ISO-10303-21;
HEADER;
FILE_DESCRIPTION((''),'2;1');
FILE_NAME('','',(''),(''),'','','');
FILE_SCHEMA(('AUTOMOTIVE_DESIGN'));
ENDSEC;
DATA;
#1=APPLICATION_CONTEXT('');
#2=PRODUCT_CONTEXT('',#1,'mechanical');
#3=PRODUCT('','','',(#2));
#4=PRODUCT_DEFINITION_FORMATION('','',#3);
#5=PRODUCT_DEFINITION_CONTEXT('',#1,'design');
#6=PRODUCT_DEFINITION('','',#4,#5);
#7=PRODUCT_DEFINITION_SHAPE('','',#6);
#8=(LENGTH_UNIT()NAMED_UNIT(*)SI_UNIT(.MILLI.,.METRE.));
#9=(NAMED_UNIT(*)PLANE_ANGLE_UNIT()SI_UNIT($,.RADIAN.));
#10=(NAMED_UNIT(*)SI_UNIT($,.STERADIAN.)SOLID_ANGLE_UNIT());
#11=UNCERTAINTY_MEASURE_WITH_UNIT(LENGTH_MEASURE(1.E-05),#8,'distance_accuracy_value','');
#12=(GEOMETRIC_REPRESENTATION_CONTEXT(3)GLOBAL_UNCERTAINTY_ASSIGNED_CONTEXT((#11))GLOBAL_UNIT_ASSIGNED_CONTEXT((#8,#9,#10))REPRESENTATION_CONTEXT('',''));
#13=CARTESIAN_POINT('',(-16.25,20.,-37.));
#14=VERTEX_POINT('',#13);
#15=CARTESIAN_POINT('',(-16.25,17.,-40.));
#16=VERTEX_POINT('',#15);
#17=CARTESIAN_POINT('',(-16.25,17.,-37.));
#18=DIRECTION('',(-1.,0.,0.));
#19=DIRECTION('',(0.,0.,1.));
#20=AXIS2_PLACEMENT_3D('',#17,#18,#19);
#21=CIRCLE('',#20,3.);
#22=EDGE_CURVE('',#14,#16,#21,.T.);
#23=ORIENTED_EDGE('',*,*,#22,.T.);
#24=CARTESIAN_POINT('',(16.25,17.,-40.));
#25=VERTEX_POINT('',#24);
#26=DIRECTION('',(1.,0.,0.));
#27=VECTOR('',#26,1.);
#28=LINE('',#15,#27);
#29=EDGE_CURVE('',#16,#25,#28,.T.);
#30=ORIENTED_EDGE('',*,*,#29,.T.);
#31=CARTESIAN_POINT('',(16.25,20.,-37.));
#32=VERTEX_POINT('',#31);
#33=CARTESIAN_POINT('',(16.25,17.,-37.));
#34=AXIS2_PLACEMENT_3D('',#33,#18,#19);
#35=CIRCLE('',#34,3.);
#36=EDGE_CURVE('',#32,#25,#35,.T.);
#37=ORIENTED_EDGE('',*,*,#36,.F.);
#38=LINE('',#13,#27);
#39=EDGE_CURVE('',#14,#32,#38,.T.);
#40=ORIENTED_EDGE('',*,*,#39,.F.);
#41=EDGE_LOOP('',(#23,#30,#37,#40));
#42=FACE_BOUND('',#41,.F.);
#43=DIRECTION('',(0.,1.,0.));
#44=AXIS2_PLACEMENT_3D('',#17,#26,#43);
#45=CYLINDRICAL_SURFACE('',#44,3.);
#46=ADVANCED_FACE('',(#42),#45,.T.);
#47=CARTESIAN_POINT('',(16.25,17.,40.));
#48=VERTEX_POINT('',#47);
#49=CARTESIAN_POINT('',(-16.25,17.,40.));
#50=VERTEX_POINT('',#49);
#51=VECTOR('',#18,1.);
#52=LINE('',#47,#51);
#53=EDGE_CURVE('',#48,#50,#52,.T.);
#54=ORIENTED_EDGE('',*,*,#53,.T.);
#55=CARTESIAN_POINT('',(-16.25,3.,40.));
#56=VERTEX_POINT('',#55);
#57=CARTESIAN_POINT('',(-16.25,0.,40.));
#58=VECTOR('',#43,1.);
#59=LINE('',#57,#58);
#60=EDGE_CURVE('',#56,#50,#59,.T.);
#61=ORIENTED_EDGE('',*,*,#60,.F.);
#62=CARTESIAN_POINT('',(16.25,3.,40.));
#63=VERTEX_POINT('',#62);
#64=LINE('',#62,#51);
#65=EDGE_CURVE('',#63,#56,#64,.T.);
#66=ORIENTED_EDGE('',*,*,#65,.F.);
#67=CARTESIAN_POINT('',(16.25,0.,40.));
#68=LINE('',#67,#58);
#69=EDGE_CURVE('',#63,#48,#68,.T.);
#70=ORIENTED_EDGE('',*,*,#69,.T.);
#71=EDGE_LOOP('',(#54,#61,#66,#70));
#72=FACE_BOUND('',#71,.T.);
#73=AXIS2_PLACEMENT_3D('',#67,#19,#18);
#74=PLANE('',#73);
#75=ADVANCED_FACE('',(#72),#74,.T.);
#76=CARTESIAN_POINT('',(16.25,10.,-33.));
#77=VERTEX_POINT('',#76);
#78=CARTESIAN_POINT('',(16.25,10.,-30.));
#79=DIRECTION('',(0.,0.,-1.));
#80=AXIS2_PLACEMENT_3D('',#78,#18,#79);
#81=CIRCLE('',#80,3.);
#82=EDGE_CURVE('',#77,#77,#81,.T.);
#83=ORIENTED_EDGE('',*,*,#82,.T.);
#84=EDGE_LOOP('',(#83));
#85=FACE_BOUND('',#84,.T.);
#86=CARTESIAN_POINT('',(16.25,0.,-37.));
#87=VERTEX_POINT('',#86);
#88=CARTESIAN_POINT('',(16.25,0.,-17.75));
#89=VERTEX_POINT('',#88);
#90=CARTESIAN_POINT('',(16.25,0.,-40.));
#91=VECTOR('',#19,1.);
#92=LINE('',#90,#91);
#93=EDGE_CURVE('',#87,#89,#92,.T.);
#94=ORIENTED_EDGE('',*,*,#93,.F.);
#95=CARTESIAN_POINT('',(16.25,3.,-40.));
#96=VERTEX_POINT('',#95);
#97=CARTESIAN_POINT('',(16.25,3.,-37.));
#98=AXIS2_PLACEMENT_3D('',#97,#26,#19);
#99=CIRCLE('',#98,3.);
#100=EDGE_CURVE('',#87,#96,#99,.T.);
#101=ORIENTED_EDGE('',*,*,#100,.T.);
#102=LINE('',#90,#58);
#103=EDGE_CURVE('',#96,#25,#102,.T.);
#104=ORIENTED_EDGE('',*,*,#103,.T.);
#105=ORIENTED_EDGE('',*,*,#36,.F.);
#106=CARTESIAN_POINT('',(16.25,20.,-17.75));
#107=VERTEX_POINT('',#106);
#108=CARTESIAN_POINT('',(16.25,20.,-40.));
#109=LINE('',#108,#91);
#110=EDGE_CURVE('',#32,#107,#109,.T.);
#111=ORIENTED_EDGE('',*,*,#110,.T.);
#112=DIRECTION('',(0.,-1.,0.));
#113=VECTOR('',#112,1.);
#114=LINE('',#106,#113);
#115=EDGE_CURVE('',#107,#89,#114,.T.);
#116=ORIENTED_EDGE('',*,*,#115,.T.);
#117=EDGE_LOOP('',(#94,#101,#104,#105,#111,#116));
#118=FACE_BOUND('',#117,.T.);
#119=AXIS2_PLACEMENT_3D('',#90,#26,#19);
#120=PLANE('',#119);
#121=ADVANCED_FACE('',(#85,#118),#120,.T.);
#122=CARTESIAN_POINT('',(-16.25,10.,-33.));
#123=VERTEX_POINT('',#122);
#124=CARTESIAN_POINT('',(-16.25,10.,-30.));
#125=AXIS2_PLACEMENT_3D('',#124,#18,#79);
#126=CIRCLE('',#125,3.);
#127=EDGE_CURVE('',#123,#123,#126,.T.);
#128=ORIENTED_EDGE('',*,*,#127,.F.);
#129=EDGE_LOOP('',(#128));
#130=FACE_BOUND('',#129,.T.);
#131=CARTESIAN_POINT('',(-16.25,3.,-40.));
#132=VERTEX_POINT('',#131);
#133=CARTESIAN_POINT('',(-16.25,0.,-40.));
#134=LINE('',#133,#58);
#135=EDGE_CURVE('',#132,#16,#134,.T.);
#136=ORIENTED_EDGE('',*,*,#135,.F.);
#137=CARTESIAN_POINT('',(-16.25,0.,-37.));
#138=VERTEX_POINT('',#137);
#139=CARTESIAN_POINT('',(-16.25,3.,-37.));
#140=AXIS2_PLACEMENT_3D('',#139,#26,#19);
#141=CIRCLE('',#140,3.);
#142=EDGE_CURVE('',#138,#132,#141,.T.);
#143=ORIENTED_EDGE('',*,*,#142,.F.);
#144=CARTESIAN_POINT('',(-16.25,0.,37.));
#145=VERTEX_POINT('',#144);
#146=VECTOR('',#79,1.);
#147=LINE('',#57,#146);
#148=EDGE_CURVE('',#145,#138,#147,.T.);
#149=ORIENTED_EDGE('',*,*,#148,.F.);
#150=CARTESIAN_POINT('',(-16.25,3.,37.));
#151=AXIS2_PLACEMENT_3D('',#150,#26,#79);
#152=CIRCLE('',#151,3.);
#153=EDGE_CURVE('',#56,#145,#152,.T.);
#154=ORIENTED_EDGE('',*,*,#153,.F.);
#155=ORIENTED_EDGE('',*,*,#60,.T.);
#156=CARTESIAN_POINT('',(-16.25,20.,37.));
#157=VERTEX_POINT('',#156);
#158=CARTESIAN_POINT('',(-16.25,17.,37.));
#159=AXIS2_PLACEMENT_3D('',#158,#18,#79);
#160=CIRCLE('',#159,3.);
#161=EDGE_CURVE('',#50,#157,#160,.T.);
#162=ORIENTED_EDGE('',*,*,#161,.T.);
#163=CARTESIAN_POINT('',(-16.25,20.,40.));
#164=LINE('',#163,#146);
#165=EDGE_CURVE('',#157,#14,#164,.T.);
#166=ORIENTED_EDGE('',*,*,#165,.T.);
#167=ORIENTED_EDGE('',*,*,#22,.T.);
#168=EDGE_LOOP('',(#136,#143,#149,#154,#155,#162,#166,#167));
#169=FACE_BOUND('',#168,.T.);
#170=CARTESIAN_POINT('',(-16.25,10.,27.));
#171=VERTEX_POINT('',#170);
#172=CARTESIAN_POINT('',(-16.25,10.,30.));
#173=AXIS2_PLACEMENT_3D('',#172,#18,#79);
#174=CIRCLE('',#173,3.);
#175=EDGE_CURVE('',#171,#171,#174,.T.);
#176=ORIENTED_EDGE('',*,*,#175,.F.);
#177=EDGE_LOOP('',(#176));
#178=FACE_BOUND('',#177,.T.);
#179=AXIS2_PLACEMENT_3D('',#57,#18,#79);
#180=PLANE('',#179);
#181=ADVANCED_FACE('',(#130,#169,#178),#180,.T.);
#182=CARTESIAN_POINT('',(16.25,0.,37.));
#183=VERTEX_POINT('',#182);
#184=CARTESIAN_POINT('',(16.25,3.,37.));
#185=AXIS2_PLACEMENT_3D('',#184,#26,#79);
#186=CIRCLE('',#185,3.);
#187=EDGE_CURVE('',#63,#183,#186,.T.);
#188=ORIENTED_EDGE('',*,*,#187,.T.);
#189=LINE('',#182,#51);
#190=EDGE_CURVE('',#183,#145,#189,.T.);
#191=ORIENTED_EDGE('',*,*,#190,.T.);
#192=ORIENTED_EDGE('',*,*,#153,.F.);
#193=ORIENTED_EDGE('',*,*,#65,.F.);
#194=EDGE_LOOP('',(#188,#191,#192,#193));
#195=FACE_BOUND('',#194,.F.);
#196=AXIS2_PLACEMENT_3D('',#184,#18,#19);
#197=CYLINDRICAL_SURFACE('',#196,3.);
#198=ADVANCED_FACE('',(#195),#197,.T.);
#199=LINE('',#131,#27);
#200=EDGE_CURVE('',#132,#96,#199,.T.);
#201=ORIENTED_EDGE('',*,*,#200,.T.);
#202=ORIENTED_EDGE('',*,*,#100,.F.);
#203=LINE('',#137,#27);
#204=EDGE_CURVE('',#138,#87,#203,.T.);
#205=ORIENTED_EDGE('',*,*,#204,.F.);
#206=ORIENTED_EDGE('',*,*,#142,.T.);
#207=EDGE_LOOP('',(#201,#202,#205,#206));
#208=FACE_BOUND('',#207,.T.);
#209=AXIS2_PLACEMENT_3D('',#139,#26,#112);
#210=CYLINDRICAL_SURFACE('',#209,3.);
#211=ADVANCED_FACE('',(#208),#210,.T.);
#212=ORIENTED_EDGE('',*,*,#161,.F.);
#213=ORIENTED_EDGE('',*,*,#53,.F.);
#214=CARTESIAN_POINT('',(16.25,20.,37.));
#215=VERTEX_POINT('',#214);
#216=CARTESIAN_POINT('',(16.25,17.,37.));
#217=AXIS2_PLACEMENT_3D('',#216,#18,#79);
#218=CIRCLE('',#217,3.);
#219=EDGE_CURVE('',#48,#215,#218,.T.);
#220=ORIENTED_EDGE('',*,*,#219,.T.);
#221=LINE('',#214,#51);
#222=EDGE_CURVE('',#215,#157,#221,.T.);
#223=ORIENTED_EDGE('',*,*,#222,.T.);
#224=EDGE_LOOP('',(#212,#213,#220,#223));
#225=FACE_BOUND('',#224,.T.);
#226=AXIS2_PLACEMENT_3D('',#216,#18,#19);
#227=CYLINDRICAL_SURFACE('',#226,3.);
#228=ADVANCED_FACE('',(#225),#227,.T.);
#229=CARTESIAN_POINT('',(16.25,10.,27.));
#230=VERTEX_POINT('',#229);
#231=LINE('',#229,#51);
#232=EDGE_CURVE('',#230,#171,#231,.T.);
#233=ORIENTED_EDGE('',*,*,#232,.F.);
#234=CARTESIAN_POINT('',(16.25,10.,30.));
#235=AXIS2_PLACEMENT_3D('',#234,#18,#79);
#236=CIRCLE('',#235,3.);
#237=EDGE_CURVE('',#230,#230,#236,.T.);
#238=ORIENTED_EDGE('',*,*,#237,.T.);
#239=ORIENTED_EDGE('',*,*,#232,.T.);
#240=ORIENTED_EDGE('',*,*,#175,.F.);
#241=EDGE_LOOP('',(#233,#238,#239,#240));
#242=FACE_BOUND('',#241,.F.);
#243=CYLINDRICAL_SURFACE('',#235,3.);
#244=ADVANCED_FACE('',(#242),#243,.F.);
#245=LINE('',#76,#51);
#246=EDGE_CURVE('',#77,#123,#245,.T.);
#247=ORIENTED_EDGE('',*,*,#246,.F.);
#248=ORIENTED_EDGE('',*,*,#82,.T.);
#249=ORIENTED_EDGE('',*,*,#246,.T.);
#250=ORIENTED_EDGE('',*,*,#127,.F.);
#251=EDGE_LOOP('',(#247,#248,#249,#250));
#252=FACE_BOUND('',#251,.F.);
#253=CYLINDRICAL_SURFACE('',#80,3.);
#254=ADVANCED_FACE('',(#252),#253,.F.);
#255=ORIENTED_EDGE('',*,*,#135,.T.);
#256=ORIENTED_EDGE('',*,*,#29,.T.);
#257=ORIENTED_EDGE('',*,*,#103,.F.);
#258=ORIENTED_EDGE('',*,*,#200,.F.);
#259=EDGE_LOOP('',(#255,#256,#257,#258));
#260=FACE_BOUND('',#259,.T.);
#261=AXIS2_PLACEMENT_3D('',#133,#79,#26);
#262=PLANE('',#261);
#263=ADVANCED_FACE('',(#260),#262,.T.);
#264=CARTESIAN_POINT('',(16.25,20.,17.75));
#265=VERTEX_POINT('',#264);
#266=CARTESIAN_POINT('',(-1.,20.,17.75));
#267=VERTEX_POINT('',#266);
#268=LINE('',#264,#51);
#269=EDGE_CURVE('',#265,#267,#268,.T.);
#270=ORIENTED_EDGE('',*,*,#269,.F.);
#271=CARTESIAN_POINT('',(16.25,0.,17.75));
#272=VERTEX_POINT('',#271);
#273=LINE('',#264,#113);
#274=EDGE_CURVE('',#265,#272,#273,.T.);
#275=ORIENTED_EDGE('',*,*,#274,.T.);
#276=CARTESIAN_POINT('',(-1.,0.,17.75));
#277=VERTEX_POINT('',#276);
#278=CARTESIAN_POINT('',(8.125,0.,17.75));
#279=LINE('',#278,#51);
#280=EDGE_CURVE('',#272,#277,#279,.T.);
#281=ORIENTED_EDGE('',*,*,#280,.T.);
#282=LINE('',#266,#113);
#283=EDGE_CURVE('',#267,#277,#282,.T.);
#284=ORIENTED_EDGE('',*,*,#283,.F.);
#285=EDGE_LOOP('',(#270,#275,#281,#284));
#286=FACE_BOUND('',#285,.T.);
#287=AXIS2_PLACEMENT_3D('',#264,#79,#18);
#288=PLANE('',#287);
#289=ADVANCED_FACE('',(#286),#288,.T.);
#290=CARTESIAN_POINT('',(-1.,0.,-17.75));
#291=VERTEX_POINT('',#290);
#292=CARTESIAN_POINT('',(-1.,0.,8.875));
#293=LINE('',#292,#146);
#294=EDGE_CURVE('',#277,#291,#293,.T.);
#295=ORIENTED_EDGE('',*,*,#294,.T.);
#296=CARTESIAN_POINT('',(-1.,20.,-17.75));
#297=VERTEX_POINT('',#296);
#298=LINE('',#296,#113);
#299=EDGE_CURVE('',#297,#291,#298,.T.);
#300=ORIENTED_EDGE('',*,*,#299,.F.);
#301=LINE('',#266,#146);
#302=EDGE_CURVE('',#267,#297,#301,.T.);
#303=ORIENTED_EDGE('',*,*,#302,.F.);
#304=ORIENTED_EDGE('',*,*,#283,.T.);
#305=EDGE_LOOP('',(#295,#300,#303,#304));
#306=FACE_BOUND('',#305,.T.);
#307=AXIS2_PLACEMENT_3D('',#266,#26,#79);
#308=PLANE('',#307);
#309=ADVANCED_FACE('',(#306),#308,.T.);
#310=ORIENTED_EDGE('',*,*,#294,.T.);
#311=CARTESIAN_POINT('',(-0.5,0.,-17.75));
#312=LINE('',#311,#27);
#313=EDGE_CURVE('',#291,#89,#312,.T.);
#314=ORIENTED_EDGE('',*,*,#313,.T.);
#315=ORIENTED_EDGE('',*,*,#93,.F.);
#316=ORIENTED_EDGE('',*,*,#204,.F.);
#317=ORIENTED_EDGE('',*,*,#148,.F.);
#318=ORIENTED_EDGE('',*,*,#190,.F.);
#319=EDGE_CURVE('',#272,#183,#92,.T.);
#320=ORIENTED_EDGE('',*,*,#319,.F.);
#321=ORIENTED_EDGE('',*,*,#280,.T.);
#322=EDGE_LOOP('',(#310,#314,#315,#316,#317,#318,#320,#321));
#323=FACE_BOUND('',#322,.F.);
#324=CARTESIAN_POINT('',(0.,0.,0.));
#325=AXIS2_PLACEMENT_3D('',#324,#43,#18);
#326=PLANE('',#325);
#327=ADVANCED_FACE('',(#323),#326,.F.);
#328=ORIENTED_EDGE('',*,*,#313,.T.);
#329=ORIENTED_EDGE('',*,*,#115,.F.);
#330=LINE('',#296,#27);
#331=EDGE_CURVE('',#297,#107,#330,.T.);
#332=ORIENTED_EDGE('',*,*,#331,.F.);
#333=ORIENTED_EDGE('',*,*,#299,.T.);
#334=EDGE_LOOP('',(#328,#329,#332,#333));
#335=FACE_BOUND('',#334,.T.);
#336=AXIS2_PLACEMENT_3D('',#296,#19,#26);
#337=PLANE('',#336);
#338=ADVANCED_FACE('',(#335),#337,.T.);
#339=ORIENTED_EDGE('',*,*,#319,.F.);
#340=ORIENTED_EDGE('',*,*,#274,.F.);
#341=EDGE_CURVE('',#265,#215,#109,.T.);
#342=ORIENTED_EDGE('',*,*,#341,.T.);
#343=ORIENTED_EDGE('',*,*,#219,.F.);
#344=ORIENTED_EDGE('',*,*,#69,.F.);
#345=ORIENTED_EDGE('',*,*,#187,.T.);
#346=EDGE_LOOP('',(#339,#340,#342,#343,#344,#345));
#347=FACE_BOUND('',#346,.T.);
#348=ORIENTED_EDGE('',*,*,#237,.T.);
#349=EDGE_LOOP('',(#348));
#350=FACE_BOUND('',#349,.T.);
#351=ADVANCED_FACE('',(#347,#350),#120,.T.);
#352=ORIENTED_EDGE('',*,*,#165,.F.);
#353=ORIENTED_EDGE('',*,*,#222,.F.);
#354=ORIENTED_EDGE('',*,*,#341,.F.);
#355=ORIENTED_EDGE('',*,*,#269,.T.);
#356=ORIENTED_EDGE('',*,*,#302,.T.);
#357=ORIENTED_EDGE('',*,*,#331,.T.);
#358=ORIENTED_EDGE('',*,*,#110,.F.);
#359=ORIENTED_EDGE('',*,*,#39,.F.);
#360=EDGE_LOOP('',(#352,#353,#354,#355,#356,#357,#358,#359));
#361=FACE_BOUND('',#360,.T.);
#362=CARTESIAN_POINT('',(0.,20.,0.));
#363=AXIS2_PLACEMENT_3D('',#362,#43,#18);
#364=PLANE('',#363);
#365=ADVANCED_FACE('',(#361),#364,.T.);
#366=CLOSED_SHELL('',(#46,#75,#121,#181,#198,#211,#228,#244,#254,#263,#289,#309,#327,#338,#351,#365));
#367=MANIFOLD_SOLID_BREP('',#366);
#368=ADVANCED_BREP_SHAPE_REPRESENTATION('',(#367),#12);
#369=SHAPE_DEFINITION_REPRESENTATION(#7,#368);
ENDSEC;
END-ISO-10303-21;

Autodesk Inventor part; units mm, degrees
ref_plane "YZ Plane" through (0, 0, 0) normal (1, 0, 0) x (0, 1, 0)
ref_plane "XZ Plane" through (0, 0, 0) normal (0, 1, 0) x (-1, 0, 0)
ref_plane "XY Plane" through (0, 0, 0) normal (0, 0, 1) x (1, 0, 0)
sketch "Sketch1" plane through (0, 0, 0) normal (0, 1, 0) x (-1, 0, 0)
  line L0 (-16.25, 40) -> (16.25, 40)
  line L1 (16.25, 40) -> (16.25, -40)
  line L2 (16.25, -40) -> (-16.25, -40)
  line L3 (-16.25, -40) -> (-16.25, 40)
  point P0 (0, 0)
  dimension "d0" = 80
  dimension "d1" = 32.5
  dimension "d2" = 40
  dimension "d3" = 16.25
extrude "Extrusion1" add sketch "Sketch1" along normal blind 20
sketch "Sketch2" plane through (16.25, 0, 40) normal (1, 0, 0) x (0, 0, -1)
  line L0 (0, 0) -> (80, 0) projected
  line L1 (80, 0) -> (80, 20) projected
  line L2 (0, 20) -> (80, 20) projected
  line L3 (0, 0) -> (0, 20) projected
  point P0 (40, 0)
  point P1 (10, 10)
  point P2 (70, 10)
  dimension "d8" = 10
  dimension "d9" = 10
  dimension "d10" = 10
  dimension "d11" = 10
hole "Hole1" at (16.25, 10, 30) at (16.25, 10, -30) direction (-1, 0, 0) diameter 6 end through all
sketch "Sketch3" plane through (0, 20, 0) normal (0, 1, 0) x (1, 0, 0)
  line L0 (16.25, -40) -> (16.25, 40) projected
  line L1 (16.25, 40) -> (-16.25, 40) projected
  line L2 (-16.25, 40) -> (-16.25, -40) projected
  line L3 (-16.25, -40) -> (16.25, -40) projected
  line L4 (16.25, -17.75) -> (-1, -17.75)
  line L5 (-1, -17.75) -> (-1, 17.75)
  line L6 (-1, 17.75) -> (16.25, 17.75)
  point P0 (0, 0)
  dimension "d19" = 17.25
  dimension "d20" = 35.5
  dimension "d21" = 17.75
extrude "Extrusion2" cut sketch "Sketch3" against normal through all contours L4 L5 L6 L0
fillet "Fillet1" radius 3 4 edges at (0, 20, 40) (0, 0, 40) (0, 20, -40) (0, 0, -40)
equation "\"d2\" = 0.5 * d0"
equation "\"d3\" = 0.5 * d1"
equation "\"d9\" = d8"
equation "\"d21\" = 0.5 * d20"
properties part number "3DP_ASA_Balcony_Mounting_Clamp_Back"
